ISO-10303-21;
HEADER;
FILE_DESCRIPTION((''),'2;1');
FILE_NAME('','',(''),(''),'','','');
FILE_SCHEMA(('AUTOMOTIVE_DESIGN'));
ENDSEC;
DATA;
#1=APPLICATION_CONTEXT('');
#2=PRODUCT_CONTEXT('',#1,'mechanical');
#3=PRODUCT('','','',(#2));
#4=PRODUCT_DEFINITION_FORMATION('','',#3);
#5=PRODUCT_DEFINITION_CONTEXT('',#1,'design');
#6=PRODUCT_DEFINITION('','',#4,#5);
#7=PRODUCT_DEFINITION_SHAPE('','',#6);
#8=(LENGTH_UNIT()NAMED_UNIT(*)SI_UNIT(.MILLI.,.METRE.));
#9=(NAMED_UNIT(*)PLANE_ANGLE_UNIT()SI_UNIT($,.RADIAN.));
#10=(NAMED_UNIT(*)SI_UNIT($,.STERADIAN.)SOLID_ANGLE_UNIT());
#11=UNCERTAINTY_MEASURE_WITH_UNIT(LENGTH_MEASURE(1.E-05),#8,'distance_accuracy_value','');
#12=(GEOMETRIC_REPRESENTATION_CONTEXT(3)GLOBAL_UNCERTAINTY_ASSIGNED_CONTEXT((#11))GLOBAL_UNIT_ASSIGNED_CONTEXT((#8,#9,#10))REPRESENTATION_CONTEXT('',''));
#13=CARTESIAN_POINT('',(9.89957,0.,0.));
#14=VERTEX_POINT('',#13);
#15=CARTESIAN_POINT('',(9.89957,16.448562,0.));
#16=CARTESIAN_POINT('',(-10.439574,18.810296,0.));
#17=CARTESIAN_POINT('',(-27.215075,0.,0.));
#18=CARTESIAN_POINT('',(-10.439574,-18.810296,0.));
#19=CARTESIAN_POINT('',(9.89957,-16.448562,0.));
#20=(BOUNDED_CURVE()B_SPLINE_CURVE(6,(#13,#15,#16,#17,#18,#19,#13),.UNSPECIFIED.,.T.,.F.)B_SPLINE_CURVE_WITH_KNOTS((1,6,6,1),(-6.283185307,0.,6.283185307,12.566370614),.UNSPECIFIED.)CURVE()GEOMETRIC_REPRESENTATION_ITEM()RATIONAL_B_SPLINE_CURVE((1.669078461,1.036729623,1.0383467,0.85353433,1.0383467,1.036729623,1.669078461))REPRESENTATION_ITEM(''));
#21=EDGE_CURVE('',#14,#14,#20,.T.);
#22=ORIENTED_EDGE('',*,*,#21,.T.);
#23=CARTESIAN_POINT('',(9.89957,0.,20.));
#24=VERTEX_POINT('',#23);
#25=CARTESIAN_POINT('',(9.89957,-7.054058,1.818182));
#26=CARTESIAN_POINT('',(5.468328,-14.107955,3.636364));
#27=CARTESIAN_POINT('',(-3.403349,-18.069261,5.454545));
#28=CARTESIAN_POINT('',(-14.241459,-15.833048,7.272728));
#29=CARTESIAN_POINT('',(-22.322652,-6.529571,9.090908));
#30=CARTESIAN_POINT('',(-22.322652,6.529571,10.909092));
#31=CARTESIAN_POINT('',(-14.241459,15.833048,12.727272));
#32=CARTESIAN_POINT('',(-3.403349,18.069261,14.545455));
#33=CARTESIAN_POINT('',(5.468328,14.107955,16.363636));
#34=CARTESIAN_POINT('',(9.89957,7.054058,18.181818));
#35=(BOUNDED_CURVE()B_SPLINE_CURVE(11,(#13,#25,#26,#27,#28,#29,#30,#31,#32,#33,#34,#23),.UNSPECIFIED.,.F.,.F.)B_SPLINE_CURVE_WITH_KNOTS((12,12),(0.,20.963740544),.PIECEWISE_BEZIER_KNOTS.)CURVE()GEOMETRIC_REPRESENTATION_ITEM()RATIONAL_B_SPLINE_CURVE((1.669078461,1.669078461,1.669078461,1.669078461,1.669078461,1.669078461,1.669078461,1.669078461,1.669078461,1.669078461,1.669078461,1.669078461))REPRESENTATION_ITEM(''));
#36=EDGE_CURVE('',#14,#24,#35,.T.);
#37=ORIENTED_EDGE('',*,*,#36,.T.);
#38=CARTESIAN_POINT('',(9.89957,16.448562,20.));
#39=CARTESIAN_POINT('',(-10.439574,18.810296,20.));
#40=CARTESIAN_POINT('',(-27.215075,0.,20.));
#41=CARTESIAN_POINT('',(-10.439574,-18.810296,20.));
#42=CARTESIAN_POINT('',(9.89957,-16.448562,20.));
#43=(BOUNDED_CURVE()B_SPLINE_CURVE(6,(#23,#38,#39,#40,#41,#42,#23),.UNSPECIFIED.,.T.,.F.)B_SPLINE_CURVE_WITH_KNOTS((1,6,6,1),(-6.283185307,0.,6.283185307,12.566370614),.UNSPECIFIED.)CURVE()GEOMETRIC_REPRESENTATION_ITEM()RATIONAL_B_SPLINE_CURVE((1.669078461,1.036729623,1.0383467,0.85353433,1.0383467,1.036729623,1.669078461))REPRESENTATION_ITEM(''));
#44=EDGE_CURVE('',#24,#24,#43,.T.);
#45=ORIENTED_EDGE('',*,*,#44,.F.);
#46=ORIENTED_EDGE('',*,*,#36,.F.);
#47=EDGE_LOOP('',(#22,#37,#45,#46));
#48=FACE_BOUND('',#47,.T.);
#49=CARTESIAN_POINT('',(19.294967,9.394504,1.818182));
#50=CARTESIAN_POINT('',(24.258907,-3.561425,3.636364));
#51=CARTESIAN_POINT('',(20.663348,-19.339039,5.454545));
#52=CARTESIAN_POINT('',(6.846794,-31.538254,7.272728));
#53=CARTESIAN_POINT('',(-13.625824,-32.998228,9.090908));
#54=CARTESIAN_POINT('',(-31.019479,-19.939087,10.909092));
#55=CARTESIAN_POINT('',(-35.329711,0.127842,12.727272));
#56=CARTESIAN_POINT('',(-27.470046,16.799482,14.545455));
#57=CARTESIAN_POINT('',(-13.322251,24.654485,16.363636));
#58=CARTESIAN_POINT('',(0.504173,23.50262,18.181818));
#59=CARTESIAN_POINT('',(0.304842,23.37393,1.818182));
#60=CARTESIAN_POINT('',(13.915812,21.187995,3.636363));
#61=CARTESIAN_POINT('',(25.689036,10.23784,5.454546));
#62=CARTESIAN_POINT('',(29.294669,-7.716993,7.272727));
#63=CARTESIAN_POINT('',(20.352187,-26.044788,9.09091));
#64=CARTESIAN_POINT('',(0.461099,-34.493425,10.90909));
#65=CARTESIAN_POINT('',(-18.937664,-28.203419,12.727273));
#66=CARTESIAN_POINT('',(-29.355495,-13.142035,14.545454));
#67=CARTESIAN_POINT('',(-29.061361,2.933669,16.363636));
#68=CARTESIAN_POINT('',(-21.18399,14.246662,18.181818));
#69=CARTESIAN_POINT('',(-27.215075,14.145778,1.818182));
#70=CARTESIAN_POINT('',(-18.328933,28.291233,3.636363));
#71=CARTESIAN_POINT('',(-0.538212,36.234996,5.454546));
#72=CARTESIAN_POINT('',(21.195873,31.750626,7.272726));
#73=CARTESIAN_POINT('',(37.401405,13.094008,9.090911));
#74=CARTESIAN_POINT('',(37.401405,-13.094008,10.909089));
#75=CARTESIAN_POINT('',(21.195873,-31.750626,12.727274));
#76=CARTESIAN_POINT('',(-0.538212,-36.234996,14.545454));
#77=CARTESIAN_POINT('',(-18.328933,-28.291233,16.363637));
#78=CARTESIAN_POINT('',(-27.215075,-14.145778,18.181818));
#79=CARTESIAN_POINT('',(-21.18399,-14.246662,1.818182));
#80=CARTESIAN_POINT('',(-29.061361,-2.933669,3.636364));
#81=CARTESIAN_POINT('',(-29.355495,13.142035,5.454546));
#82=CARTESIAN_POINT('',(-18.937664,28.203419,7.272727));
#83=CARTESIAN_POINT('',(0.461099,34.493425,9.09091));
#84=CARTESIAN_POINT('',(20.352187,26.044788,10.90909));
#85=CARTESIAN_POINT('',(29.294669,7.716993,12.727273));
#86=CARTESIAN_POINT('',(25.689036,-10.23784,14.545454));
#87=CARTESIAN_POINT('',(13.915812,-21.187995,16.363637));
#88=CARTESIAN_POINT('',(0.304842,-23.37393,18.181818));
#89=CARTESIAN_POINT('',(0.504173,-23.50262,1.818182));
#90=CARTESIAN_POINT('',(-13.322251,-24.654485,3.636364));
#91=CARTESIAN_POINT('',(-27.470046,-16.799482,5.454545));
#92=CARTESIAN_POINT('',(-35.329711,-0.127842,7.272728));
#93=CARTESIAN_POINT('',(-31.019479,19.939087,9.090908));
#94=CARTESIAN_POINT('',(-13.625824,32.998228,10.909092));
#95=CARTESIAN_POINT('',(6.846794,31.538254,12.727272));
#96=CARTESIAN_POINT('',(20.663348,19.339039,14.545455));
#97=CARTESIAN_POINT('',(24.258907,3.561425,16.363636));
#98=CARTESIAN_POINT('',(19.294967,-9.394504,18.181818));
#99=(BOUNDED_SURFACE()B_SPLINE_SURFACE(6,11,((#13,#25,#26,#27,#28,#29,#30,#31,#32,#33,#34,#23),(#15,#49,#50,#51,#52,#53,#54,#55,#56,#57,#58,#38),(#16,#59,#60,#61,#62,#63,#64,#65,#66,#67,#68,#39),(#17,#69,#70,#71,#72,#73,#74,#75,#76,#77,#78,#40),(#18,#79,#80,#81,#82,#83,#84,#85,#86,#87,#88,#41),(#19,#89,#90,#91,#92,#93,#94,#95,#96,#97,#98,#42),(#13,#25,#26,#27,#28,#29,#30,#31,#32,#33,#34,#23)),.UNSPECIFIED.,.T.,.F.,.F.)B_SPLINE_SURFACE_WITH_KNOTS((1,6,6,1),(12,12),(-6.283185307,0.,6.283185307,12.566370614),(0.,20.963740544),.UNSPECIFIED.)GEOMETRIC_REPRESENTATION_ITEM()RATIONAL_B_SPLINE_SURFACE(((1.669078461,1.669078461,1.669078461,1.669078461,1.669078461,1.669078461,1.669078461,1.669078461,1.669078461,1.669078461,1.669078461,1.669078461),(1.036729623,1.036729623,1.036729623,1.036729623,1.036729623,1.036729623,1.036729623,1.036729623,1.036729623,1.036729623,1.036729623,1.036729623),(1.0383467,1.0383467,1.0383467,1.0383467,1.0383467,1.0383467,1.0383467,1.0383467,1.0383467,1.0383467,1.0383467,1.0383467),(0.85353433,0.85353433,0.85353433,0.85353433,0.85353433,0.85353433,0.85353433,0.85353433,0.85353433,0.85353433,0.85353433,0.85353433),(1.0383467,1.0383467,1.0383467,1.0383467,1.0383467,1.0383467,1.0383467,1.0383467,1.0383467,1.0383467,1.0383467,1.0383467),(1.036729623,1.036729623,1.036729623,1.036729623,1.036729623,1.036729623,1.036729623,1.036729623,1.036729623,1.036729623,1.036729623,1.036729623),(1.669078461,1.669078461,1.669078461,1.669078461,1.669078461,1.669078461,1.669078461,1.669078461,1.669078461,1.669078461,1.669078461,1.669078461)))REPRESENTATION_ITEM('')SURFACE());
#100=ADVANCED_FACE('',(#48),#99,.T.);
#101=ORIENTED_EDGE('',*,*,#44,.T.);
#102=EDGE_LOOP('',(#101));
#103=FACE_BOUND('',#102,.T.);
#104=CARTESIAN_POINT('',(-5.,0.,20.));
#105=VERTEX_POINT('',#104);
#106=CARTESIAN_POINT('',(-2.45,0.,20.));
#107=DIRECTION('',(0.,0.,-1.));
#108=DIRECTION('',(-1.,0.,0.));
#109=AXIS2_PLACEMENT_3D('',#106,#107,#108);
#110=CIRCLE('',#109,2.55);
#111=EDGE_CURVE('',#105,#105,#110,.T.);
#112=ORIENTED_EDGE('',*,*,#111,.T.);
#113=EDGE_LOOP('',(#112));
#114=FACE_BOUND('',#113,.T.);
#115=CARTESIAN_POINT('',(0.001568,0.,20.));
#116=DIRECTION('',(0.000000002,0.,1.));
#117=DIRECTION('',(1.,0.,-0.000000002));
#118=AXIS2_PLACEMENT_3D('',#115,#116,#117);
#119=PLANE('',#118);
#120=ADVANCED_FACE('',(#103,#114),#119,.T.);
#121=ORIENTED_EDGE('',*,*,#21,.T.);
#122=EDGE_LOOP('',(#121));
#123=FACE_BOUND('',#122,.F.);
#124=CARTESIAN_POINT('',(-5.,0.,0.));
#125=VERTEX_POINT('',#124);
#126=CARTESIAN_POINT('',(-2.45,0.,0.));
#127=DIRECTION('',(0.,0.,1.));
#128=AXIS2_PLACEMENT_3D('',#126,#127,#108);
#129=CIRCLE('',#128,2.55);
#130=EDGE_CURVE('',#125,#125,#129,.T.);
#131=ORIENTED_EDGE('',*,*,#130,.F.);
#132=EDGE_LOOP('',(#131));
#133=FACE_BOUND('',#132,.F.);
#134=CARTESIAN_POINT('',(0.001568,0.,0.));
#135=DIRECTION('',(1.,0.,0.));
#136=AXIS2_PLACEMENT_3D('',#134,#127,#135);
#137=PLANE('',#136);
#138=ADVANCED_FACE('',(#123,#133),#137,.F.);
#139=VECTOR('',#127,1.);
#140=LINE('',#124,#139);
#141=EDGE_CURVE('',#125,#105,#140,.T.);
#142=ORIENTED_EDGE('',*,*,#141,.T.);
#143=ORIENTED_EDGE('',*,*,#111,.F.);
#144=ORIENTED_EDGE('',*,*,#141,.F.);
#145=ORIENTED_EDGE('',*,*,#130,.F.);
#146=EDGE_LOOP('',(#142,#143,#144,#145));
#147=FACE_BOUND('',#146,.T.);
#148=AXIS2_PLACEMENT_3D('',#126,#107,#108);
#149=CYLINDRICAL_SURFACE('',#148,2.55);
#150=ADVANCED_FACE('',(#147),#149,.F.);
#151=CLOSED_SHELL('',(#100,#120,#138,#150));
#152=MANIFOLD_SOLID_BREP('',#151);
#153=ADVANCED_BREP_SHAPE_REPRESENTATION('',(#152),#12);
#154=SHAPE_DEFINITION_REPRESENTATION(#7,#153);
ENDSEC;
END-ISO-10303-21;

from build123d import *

# Parameters (mm, degrees)
AUSTRAGUNG1_PITCH               = 20
AUSTRAGUNG1_HEIGHT              = 20
AUSTRAGUNG1_RADIUS              = 2.55
SKIZZE2_R                       = 9.89957
SKIZZE3_2_R                     = 2.55
SCHNITT_LINEAR_AUSTRAGEN2_DEPTH = 27


with BuildPart() as part:
    # Austragung1: sweep along a helix
    with BuildLine() as austragung1_path:
        Helix(AUSTRAGUNG1_PITCH, AUSTRAGUNG1_HEIGHT, AUSTRAGUNG1_RADIUS, center=(-2.45, 0, 0), direction=(0, 0, 1), lefthand=True)
    # Skizze2 → Austragung1 (sweep)
    with BuildSketch(Plane.XY):
        Circle(SKIZZE2_R)
    sweep(path=austragung1_path.line, is_frenet=True)

    # Skizze3<2> → Schnitt-Linear austragen2 (cut)
    with BuildSketch(Plane.XY):
        with Locations(Location((-2.45, 0, 0), (0, 0, 180))):
            Circle(SKIZZE3_2_R)
    extrude(amount=SCHNITT_LINEAR_AUSTRAGEN2_DEPTH, mode=Mode.SUBTRACT)


solid = part.part
